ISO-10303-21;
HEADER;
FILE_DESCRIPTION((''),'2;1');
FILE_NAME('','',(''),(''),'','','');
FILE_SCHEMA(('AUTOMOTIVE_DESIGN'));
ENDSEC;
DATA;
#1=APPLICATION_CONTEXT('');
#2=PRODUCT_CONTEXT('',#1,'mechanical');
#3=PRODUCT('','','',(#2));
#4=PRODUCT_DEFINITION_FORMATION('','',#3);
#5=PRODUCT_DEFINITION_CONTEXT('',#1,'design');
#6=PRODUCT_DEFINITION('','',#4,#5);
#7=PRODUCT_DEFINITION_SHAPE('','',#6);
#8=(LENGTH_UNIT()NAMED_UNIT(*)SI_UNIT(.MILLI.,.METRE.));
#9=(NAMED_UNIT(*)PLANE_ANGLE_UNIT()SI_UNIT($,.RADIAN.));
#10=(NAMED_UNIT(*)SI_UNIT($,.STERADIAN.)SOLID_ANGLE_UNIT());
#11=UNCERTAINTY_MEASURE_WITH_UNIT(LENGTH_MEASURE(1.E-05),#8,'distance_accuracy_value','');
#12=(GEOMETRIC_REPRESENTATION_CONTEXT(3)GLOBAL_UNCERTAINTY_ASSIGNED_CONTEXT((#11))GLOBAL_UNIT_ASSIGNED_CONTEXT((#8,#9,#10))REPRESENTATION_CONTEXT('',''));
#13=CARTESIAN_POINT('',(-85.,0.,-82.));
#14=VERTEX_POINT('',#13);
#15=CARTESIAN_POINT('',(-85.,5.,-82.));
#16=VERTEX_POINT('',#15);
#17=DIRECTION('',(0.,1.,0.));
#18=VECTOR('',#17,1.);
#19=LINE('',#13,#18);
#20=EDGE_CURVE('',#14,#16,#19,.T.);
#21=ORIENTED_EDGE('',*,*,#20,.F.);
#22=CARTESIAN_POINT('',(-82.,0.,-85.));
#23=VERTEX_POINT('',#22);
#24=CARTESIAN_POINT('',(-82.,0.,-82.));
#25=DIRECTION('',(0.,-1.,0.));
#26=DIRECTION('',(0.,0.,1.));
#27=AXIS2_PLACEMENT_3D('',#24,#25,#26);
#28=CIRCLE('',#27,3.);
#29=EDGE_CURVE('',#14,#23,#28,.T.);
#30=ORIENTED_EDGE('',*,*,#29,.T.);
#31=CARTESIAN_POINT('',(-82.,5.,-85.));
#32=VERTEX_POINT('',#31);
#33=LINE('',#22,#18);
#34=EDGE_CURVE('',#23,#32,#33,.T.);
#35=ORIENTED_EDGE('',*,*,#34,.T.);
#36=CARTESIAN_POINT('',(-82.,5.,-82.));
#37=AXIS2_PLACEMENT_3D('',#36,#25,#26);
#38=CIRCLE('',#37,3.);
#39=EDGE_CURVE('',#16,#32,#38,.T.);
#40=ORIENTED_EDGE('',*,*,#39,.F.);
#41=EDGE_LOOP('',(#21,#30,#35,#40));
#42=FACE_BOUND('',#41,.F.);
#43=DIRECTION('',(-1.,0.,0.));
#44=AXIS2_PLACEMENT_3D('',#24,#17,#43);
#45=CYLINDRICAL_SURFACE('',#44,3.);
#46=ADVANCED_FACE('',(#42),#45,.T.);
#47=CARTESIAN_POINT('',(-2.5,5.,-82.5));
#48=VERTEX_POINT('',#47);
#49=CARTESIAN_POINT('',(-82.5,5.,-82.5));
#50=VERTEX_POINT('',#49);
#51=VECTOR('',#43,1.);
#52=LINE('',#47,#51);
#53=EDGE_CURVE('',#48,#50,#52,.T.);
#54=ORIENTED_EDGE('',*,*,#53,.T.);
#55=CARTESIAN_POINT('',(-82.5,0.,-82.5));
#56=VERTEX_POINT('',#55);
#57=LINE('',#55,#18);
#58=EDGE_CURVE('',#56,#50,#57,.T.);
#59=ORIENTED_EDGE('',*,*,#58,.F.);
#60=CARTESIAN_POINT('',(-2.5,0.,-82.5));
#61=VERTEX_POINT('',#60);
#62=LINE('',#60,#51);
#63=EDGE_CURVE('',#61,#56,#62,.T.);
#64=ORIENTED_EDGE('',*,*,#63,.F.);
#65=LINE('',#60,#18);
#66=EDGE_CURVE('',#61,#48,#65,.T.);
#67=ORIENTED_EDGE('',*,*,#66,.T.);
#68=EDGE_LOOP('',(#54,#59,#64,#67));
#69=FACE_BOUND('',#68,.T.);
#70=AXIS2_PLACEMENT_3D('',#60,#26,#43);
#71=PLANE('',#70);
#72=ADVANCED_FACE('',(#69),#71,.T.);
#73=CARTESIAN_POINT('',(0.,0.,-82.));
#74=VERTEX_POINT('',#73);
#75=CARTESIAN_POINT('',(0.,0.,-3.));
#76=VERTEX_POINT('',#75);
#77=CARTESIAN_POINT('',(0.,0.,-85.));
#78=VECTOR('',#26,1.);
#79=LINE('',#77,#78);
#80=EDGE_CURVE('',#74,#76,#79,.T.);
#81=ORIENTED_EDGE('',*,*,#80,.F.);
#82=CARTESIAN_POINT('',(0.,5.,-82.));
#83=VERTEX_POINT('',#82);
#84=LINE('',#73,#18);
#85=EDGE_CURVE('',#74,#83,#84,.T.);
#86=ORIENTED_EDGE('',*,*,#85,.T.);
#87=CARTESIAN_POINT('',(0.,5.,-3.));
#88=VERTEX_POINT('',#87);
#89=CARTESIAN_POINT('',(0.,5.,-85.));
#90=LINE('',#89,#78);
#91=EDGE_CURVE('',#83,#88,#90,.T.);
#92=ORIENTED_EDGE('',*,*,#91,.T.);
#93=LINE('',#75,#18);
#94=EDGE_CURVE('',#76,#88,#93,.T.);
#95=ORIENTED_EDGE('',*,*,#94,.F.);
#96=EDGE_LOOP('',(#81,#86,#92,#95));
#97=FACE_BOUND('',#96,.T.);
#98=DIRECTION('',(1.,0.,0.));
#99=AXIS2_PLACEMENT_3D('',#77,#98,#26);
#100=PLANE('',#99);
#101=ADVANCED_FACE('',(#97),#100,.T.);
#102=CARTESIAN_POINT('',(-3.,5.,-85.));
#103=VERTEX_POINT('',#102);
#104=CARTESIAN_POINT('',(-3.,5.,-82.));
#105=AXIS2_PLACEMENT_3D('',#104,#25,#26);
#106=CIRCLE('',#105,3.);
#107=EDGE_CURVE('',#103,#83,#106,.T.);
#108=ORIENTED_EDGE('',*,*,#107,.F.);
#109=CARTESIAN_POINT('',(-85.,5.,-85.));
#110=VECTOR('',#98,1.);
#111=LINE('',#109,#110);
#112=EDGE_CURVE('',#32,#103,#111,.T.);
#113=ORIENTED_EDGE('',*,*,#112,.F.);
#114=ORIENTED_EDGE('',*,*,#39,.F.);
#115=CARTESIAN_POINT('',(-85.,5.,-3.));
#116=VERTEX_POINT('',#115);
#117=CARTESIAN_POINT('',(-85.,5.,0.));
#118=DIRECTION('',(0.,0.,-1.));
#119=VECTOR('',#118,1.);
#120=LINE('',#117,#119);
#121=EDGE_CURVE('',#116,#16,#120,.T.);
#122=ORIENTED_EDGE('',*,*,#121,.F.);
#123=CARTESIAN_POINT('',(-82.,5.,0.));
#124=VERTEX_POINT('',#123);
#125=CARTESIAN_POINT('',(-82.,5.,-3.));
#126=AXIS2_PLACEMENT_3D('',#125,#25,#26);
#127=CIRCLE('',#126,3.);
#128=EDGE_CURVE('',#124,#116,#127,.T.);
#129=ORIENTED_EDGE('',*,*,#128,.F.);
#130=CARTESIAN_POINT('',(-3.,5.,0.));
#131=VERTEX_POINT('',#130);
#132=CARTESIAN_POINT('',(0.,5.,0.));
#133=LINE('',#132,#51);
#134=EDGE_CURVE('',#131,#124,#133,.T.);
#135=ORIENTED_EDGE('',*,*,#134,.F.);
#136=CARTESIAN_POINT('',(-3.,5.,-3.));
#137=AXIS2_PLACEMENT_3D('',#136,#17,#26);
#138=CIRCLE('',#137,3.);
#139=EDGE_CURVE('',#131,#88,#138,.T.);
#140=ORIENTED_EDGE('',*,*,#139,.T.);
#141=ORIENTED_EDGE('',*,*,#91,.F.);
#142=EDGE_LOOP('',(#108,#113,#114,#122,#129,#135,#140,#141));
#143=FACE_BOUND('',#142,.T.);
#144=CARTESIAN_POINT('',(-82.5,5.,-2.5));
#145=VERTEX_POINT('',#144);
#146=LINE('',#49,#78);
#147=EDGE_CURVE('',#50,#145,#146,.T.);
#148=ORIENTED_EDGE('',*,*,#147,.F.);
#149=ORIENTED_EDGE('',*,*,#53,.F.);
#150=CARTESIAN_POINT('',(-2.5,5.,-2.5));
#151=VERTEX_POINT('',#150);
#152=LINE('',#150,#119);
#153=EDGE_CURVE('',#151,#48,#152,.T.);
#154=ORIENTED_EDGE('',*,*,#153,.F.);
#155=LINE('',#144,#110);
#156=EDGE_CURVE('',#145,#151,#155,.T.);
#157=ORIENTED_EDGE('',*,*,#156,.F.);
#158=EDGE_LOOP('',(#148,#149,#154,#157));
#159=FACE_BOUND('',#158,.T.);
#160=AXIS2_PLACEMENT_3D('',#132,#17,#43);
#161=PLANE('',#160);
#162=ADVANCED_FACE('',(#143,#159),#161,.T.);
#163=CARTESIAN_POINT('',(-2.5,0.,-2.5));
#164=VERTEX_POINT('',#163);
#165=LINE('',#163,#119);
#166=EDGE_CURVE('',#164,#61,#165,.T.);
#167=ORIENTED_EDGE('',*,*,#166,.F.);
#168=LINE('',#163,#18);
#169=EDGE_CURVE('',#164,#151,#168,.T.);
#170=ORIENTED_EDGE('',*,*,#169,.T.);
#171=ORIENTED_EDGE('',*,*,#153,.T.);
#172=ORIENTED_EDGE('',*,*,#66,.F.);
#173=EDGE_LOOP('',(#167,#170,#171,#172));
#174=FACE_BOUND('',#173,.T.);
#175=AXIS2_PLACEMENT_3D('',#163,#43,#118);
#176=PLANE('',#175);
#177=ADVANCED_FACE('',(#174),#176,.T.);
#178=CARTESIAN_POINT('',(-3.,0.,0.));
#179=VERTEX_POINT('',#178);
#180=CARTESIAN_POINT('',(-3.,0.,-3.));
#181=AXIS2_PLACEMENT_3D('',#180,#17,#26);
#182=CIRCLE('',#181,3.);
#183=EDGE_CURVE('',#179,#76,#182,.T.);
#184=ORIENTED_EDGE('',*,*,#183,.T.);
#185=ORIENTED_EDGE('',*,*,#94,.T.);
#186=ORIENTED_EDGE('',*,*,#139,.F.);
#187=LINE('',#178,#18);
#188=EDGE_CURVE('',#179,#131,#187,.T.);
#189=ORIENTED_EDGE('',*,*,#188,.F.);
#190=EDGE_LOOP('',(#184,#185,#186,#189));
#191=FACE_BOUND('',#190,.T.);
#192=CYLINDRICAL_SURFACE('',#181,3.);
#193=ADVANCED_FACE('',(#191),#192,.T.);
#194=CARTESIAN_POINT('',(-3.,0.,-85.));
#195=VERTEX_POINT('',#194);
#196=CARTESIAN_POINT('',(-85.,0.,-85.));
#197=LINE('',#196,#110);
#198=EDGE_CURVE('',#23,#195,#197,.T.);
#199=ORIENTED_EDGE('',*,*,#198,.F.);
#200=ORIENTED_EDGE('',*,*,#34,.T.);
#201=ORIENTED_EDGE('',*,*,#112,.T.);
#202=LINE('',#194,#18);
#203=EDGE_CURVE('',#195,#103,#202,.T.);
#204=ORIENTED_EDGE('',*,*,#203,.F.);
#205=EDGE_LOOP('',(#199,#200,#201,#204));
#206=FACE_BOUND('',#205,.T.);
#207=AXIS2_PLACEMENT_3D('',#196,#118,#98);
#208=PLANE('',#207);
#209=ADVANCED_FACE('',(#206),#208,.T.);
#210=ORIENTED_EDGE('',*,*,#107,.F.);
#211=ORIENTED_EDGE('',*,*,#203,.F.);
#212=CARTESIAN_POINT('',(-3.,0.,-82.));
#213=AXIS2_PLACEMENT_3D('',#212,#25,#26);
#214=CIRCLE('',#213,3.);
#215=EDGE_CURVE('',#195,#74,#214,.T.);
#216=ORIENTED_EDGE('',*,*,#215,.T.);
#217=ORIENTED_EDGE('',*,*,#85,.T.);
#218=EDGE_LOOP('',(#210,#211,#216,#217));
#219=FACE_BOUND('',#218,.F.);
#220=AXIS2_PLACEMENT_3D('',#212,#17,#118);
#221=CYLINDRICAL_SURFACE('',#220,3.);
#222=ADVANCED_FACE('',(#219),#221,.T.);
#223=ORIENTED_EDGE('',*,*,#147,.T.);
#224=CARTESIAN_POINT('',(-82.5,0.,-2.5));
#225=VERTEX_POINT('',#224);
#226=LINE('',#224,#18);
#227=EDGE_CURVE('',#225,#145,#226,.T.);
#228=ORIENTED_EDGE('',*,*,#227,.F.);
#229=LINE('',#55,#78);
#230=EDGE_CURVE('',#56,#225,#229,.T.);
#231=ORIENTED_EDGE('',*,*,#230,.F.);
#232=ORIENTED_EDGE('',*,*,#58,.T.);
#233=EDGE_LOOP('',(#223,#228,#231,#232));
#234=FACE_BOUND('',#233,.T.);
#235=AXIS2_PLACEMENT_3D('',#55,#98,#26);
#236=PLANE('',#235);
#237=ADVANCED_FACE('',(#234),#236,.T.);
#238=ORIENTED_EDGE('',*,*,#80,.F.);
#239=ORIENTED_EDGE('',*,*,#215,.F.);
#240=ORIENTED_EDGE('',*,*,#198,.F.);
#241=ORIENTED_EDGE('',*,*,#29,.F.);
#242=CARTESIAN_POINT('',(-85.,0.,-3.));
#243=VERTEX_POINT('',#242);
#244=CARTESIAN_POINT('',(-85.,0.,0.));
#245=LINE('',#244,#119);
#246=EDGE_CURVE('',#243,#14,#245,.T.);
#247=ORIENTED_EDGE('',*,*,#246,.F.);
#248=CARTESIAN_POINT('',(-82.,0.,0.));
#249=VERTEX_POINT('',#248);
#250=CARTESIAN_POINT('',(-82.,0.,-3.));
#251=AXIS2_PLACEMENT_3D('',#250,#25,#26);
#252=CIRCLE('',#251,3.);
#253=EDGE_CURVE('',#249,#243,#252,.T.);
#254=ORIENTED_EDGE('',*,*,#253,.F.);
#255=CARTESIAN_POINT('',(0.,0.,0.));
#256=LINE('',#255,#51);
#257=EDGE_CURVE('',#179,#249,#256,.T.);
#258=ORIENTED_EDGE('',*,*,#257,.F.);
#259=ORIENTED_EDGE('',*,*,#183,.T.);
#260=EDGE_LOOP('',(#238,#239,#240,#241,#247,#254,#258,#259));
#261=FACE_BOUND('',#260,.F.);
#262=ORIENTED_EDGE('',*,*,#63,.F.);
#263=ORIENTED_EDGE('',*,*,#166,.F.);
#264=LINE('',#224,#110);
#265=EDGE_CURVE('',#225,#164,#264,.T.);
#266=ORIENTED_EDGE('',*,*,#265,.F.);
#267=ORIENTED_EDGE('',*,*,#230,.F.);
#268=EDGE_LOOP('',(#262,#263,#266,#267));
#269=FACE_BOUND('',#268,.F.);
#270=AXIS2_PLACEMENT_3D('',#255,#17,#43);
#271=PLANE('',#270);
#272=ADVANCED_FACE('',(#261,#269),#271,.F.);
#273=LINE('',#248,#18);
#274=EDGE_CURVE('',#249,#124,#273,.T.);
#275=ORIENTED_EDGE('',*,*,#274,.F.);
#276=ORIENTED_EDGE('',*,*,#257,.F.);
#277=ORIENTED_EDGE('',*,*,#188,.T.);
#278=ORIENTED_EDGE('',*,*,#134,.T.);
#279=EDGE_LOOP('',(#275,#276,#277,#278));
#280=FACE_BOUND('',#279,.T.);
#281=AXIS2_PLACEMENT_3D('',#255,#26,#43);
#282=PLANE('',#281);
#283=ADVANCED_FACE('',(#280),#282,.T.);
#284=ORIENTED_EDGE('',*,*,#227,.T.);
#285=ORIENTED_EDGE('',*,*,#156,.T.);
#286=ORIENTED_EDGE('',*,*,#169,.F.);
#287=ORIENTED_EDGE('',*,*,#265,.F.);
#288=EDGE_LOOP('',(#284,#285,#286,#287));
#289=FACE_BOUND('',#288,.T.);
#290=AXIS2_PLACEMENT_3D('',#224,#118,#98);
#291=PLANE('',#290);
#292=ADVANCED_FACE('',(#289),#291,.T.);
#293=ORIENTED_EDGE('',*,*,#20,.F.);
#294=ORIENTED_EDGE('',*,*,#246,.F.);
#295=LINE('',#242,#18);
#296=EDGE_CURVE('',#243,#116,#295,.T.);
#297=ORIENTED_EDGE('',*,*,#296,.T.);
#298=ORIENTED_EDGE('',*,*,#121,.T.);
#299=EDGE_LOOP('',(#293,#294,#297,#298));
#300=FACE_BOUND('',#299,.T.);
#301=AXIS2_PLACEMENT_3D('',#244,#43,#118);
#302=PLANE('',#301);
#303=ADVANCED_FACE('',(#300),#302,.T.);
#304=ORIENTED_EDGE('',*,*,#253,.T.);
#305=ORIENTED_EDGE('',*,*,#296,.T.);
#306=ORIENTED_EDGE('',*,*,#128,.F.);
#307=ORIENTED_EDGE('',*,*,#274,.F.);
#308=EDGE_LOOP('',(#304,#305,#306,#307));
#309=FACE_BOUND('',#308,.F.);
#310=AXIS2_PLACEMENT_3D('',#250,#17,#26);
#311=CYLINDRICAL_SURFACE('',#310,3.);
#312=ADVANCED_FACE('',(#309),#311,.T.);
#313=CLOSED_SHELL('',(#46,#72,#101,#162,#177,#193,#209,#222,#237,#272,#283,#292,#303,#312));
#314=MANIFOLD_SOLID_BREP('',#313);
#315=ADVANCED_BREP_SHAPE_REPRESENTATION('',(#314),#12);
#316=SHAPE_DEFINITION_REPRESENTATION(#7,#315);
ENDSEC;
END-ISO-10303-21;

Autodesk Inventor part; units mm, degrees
ref_plane "YZ Plane" through (0, 0, 0) normal (1, 0, 0) x (0, 1, 0)
ref_plane "XZ Plane" through (0, 0, 0) normal (0, 1, 0) x (-1, 0, 0)
ref_plane "XY Plane" through (0, 0, 0) normal (0, 0, 1) x (1, 0, 0)
sketch "スケッチ1" plane through (0, 0, 0) normal (0, 1, 0) x (-1, 0, 0)
  line L0 (0, 0) -> (85, 0)
  line L1 (85, 0) -> (85, -85)
  line L2 (85, -85) -> (0, -85)
  line L3 (0, -85) -> (0, 0)
  line L4 (82.5, -2.5) -> (2.5, -2.5)
  line L5 (2.5, -2.5) -> (2.5, -82.5)
  line L6 (2.5, -82.5) -> (82.5, -82.5)
  line L7 (82.5, -82.5) -> (82.5, -2.5)
  point P0 (42.5, -2.5)
  point P1 (42.5, 0)
  point P2 (82.5, -42.5)
  point P3 (85, -42.5)
  dimension "d0" = 85
  dimension "d1" = 85
  dimension "d2" = 80
  dimension "d3" = 80
extrude "押し出し1" add sketch "スケッチ1" along normal blind 5
fillet "フィレット1" radius 3 4 edges at (0, 2.5, 0) (-85, 2.5, 0) (-85, 2.5, -85) (0, 2.5, -85)
properties part number "こたつの足_試作"
